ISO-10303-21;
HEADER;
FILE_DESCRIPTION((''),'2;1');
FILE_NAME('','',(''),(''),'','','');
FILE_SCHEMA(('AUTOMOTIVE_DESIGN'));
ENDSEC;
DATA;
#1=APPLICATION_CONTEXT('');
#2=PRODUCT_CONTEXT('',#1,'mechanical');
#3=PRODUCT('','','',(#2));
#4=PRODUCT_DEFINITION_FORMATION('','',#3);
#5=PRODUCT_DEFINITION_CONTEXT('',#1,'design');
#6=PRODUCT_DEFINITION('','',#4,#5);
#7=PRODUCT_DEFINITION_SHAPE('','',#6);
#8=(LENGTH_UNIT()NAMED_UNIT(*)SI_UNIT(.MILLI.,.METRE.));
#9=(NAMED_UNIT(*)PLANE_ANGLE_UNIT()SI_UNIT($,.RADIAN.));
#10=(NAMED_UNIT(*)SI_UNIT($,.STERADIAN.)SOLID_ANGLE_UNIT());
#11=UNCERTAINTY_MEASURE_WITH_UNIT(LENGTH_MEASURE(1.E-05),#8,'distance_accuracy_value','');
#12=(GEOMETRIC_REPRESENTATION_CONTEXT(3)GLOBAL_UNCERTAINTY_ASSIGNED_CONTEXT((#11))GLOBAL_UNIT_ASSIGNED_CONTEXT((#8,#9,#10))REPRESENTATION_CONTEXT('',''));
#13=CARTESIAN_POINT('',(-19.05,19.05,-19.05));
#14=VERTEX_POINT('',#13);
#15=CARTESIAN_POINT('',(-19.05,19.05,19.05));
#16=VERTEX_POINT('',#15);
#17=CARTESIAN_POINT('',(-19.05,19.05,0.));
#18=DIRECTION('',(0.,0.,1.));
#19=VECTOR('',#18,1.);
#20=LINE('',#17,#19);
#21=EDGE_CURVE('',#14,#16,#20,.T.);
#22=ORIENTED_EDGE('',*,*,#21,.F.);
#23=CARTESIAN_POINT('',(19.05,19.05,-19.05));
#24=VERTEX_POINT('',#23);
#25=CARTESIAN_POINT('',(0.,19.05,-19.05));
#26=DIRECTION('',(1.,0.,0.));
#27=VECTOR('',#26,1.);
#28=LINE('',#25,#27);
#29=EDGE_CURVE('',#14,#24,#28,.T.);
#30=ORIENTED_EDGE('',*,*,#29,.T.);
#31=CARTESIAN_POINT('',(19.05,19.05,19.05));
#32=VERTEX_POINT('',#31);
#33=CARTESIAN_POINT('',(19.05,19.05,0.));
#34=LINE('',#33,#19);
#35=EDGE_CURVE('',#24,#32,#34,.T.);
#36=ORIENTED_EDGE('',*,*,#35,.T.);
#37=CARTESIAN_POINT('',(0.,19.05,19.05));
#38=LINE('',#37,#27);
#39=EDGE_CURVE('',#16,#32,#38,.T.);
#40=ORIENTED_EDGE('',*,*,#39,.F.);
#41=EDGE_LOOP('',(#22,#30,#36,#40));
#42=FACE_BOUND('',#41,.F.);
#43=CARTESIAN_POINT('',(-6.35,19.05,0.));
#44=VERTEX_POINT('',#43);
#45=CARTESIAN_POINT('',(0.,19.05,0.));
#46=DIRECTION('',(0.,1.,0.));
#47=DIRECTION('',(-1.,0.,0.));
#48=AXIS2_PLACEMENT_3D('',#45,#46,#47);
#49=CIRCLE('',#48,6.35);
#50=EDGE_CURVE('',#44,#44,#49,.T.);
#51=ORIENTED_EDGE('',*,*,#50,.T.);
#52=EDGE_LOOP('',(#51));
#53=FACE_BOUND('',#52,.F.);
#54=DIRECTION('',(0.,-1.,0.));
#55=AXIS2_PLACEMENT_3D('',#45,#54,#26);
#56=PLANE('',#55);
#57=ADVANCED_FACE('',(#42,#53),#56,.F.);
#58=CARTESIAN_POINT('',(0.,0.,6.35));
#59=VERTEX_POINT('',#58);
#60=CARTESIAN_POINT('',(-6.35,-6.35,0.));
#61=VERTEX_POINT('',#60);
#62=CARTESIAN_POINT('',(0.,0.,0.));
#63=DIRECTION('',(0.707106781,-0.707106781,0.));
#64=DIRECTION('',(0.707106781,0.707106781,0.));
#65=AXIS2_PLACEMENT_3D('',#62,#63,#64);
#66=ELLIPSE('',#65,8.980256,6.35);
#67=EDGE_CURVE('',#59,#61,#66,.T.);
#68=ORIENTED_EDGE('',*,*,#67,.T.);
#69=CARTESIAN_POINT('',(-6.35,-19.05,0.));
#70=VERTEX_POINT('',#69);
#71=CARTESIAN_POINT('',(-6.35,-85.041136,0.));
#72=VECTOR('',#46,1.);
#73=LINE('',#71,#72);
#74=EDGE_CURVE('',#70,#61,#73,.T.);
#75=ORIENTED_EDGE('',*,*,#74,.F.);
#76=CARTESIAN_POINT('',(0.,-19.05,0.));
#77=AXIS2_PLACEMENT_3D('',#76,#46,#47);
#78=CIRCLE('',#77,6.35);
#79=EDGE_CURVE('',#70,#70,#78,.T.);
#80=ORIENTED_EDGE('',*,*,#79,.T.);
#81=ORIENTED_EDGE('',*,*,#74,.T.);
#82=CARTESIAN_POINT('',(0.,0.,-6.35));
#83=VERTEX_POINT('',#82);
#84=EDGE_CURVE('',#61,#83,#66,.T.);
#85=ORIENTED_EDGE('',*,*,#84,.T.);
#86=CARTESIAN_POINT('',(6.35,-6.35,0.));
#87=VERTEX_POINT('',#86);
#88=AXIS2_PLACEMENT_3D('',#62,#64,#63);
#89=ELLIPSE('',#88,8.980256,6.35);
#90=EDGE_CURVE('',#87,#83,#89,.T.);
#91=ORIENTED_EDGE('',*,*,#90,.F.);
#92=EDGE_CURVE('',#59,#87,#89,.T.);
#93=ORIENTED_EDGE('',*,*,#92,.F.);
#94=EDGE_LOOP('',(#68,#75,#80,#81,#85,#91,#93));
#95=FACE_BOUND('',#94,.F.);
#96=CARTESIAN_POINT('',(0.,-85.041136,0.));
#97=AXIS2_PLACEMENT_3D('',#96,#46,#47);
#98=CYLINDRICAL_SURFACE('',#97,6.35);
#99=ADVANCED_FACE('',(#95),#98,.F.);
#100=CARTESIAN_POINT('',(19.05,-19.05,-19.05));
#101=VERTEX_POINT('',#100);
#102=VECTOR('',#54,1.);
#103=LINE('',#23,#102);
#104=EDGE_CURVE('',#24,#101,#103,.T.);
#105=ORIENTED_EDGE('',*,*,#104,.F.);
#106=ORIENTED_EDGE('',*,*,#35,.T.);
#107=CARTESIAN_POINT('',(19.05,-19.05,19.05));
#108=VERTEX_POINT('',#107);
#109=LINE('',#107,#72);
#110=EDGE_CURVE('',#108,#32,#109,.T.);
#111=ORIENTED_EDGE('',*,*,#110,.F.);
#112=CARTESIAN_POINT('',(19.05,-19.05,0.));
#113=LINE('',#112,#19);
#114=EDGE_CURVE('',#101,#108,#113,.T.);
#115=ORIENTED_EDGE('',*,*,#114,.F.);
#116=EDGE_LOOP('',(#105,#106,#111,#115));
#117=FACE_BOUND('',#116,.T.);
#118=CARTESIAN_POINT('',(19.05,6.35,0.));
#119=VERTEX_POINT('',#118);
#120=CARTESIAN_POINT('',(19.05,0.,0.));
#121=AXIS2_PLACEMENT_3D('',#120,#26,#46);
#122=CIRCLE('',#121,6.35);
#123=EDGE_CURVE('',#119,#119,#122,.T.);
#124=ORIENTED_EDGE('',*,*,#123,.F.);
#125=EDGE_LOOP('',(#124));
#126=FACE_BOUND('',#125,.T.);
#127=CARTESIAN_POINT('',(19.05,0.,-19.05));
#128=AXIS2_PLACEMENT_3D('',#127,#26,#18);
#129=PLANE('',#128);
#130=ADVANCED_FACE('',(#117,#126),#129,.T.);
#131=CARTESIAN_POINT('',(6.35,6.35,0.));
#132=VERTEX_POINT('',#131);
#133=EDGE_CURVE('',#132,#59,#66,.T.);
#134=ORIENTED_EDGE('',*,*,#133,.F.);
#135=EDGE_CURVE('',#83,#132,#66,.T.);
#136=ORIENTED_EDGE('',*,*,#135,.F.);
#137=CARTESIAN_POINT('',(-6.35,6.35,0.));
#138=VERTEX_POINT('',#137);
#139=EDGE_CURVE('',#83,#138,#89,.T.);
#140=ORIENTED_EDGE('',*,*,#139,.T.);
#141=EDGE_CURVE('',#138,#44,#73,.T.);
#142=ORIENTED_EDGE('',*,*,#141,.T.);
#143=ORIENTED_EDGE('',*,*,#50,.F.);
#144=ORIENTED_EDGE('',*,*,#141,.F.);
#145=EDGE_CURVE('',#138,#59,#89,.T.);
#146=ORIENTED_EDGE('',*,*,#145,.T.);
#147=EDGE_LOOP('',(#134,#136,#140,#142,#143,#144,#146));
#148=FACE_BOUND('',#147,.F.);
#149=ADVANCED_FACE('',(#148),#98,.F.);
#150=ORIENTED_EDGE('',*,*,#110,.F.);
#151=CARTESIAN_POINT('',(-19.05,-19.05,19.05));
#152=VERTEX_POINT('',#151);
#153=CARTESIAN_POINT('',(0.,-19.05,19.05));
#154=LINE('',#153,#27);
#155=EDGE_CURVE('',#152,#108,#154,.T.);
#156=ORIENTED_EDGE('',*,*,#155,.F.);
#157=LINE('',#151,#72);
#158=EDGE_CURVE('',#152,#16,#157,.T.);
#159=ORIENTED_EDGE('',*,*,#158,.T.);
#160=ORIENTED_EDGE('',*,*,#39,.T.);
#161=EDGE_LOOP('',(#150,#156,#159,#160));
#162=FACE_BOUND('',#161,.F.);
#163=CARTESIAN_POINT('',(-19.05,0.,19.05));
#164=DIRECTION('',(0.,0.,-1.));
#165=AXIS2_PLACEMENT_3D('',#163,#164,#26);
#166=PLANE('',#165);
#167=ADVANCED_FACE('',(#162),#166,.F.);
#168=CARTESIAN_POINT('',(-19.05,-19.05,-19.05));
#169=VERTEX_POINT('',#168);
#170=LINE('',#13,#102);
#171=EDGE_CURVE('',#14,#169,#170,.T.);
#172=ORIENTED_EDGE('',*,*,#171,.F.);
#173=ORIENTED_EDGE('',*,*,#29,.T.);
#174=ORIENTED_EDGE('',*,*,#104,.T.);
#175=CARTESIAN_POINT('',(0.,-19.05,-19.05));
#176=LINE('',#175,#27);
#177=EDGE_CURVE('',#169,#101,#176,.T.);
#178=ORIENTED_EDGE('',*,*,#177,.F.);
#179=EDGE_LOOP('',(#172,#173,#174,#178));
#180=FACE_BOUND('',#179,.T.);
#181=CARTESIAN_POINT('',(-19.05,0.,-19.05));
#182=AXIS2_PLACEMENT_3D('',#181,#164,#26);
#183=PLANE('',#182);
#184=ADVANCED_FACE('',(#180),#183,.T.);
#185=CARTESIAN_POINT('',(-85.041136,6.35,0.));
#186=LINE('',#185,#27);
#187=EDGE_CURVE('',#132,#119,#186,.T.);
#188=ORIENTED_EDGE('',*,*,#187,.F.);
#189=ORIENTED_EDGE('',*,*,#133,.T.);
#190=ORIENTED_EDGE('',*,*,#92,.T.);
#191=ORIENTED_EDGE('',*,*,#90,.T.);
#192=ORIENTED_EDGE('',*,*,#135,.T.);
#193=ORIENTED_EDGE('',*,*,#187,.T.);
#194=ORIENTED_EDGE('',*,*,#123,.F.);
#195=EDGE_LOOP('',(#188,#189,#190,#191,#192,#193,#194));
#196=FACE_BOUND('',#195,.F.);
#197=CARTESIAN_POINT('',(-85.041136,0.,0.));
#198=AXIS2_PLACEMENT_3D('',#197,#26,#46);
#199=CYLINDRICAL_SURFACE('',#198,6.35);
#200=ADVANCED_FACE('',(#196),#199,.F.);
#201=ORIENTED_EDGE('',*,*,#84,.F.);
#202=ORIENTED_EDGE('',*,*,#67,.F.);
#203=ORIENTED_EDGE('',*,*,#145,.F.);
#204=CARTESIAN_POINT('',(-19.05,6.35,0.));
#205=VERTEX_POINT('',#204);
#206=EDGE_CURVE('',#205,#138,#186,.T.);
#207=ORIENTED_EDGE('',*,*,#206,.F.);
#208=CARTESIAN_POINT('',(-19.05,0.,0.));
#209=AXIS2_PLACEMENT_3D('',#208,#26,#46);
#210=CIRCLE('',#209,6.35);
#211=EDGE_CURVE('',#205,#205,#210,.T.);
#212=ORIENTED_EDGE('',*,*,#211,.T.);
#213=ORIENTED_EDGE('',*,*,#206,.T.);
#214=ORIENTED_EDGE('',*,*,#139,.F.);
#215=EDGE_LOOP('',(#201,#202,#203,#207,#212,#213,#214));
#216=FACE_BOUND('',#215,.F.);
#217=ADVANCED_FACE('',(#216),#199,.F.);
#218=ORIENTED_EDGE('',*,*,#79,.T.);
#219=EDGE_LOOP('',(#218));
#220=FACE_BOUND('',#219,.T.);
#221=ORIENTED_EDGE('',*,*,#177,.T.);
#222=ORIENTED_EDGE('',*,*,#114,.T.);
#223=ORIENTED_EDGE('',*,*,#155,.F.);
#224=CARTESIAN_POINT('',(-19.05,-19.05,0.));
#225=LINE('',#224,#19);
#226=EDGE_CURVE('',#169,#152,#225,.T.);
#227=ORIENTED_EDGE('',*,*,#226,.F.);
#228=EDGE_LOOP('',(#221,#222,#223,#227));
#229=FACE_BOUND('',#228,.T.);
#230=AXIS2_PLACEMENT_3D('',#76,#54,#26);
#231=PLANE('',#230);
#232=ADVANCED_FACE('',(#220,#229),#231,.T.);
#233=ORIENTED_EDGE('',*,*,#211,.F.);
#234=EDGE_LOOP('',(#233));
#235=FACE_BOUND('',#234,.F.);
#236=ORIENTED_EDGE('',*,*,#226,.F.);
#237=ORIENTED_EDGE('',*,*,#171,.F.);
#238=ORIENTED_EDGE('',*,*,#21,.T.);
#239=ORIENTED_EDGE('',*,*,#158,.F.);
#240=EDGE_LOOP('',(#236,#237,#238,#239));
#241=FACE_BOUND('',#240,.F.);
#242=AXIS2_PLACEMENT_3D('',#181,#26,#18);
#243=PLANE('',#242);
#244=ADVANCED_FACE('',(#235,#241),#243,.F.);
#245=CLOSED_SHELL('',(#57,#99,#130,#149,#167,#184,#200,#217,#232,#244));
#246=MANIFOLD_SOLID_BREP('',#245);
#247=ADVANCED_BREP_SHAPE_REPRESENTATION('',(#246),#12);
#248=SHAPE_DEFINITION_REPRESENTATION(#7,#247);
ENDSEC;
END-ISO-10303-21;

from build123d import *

# Parameters (mm, degrees)
F0_W       = 38.1
F0_H       = 38.1
F1_DEPTH   = 19.05
F4_D       = 12.7
F4_ON_F2_D = 12.7


with BuildPart() as f1:
    # F0 (on Front) → F1 (new body, symmetric)
    with BuildSketch(Plane.XZ):
        Rectangle(F0_W, F0_H)
    extrude(amount=F1_DEPTH, both=True)

    # F4 (through all)
    with Locations(Plane(origin=(-19.05, 0, 0), x_dir=(0, -1, 0), z_dir=(-1, 0, 0))):
        with Locations((0, 0)):
            Hole(F4_D / 2)

    # F4 on F2 (through all)
    with Locations(Plane.XZ.offset(19.05)):
        with Locations((0, 0)):
            Hole(F4_ON_F2_D / 2)


solid = f1.part
